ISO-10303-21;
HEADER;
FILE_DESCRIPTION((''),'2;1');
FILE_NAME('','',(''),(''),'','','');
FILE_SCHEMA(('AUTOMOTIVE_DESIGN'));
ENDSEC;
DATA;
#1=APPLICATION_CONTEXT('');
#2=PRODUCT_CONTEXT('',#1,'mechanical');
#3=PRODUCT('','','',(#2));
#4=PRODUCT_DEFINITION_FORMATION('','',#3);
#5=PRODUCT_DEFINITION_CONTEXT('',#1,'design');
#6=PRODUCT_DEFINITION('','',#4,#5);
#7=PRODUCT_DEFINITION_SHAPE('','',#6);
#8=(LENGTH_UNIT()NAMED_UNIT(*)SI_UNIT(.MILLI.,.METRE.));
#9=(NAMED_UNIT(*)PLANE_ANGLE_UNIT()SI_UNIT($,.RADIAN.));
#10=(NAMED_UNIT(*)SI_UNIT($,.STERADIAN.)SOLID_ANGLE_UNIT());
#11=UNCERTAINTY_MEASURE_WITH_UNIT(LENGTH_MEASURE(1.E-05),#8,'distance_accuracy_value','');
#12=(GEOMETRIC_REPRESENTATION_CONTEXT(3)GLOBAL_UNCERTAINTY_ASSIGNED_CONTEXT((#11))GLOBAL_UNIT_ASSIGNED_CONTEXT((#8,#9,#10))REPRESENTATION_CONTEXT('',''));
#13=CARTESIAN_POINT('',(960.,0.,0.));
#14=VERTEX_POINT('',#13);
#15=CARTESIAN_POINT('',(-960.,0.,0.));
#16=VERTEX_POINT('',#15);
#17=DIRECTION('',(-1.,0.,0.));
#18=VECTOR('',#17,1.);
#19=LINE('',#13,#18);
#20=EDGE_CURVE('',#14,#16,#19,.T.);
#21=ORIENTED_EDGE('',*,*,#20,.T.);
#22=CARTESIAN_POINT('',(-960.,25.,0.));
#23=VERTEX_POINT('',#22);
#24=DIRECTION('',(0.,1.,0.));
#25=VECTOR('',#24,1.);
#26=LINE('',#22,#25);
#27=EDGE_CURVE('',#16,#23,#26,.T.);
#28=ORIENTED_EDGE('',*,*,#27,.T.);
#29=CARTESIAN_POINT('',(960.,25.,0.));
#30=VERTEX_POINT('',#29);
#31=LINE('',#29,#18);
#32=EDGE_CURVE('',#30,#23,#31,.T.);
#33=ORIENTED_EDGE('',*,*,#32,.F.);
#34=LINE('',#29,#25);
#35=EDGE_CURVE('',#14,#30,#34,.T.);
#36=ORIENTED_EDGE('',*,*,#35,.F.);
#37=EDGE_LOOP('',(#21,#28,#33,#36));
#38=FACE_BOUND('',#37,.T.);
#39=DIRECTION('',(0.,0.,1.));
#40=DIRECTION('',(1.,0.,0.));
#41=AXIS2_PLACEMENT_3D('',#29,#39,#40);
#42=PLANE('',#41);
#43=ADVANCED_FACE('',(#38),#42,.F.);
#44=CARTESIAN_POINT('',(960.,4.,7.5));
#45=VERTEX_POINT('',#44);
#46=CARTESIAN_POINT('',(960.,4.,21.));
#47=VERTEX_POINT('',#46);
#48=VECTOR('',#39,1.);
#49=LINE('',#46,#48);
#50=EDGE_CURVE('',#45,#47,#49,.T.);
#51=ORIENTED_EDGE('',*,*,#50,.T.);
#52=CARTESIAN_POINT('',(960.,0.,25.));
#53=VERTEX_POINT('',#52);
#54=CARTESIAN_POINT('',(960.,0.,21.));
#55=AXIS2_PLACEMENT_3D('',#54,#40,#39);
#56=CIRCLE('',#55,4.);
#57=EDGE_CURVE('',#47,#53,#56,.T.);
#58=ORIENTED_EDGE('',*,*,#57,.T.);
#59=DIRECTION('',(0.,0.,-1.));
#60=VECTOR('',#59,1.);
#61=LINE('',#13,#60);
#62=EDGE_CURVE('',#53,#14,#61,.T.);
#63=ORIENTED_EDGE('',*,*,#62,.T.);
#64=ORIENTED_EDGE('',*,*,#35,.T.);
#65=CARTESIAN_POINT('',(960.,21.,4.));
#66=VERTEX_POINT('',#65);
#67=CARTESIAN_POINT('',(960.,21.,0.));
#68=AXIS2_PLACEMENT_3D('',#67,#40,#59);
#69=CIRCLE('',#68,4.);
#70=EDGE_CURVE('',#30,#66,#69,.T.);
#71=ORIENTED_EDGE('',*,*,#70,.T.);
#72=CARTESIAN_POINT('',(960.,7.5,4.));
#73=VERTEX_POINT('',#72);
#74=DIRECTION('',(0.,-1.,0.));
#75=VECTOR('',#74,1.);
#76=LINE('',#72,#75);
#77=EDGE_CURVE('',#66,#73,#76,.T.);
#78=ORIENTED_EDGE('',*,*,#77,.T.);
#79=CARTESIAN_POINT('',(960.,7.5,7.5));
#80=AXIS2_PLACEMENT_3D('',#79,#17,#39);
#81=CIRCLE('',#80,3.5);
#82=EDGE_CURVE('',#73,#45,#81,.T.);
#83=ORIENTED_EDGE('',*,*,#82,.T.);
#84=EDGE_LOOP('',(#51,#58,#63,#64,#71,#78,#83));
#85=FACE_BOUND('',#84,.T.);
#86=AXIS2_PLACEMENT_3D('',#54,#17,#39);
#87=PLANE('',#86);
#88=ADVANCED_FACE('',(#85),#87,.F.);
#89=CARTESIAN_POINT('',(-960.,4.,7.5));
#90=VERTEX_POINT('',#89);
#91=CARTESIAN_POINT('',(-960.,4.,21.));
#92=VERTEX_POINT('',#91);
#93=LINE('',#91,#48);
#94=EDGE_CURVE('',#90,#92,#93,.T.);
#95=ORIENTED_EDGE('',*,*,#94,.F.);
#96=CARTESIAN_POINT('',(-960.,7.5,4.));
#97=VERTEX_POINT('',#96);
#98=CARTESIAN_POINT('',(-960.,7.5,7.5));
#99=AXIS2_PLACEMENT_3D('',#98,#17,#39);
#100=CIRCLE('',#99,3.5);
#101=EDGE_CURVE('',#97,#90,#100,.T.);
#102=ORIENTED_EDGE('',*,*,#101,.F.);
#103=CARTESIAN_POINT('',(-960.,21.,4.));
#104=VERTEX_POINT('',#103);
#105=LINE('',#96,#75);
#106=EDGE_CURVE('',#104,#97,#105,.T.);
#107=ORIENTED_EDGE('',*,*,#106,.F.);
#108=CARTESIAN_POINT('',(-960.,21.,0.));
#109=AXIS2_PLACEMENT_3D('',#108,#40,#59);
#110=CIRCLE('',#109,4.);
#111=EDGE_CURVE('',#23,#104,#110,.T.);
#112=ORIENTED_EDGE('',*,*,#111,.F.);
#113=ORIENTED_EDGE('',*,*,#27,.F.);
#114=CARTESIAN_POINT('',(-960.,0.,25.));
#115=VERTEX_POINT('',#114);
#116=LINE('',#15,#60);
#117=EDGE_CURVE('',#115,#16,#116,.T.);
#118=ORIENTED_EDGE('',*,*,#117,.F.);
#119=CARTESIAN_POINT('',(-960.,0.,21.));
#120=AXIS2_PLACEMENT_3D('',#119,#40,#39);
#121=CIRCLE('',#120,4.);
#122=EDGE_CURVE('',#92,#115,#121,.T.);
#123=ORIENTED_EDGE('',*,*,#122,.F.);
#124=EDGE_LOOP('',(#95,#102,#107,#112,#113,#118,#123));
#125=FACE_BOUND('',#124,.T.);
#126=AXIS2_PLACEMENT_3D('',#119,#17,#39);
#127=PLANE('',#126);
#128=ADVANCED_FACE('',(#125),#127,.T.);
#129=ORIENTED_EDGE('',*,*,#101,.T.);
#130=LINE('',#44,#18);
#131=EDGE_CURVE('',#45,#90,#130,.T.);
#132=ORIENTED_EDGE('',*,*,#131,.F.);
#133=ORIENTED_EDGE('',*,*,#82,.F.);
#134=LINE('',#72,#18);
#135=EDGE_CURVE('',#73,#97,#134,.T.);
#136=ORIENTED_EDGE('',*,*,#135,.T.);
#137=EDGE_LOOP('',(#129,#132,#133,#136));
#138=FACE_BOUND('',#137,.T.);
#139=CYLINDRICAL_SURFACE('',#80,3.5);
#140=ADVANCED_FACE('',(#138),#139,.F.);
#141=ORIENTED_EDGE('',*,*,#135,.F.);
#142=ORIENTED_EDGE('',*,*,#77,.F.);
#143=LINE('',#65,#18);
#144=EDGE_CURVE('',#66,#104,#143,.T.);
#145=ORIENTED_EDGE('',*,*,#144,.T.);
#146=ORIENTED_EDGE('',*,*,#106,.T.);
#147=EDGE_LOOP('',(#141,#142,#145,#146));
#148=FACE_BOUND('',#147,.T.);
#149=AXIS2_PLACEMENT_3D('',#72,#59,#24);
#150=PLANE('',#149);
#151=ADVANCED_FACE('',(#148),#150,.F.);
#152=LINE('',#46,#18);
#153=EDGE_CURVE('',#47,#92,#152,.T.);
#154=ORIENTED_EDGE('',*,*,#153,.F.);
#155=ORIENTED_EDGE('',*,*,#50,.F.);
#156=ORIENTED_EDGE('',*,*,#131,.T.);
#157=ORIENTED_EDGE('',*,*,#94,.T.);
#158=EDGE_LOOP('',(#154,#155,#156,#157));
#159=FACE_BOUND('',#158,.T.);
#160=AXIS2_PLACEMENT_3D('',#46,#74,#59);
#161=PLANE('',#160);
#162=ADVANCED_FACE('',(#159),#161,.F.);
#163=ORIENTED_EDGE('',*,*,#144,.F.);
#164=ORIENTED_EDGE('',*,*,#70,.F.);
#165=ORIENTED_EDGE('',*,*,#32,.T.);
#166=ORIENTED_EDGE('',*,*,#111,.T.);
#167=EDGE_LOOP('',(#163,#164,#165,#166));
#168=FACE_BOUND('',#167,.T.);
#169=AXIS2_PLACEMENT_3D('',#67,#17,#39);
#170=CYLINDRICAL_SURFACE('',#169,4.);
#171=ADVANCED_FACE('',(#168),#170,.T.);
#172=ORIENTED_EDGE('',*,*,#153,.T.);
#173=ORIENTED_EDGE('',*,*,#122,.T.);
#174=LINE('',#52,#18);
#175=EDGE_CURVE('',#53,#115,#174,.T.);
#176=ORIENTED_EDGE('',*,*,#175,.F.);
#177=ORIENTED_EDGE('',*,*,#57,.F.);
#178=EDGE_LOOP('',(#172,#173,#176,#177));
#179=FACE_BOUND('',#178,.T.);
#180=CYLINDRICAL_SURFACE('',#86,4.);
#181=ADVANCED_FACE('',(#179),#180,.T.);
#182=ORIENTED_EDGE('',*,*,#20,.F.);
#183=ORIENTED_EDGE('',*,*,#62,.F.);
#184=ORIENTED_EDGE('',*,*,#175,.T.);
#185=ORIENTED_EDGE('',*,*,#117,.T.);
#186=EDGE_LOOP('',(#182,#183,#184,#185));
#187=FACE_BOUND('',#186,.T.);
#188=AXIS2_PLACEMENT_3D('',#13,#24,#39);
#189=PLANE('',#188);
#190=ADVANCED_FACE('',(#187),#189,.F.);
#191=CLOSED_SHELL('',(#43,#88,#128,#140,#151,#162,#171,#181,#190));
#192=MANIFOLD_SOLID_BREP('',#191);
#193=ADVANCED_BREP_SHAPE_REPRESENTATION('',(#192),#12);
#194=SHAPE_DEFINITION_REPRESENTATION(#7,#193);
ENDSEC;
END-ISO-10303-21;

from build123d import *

# Parameters (mm, degrees)
MIEMBRO_ESTRUCTURAL1_DEPTH = 1920


with BuildPart() as part:
    # Sketch1 → Miembro estructural1 (new body)
    with BuildSketch(Plane.YZ.offset(-960)):
        with BuildLine():
            Line((0, 0), (0, 25))
            ThreePointArc((0, 25), (2.828427125, 23.828427125), (4, 21))
            Line((4, 21), (4, 7.5))
            ThreePointArc((4, 7.5), (5.025126266, 5.025126266), (7.5, 4))
            Line((7.5, 4), (21, 4))
            ThreePointArc((21, 4), (23.828427125, 2.828427125), (25, 0))
            Line((25, 0), (0, 0))
        make_face()
    extrude(amount=MIEMBRO_ESTRUCTURAL1_DEPTH)


solid = part.part
